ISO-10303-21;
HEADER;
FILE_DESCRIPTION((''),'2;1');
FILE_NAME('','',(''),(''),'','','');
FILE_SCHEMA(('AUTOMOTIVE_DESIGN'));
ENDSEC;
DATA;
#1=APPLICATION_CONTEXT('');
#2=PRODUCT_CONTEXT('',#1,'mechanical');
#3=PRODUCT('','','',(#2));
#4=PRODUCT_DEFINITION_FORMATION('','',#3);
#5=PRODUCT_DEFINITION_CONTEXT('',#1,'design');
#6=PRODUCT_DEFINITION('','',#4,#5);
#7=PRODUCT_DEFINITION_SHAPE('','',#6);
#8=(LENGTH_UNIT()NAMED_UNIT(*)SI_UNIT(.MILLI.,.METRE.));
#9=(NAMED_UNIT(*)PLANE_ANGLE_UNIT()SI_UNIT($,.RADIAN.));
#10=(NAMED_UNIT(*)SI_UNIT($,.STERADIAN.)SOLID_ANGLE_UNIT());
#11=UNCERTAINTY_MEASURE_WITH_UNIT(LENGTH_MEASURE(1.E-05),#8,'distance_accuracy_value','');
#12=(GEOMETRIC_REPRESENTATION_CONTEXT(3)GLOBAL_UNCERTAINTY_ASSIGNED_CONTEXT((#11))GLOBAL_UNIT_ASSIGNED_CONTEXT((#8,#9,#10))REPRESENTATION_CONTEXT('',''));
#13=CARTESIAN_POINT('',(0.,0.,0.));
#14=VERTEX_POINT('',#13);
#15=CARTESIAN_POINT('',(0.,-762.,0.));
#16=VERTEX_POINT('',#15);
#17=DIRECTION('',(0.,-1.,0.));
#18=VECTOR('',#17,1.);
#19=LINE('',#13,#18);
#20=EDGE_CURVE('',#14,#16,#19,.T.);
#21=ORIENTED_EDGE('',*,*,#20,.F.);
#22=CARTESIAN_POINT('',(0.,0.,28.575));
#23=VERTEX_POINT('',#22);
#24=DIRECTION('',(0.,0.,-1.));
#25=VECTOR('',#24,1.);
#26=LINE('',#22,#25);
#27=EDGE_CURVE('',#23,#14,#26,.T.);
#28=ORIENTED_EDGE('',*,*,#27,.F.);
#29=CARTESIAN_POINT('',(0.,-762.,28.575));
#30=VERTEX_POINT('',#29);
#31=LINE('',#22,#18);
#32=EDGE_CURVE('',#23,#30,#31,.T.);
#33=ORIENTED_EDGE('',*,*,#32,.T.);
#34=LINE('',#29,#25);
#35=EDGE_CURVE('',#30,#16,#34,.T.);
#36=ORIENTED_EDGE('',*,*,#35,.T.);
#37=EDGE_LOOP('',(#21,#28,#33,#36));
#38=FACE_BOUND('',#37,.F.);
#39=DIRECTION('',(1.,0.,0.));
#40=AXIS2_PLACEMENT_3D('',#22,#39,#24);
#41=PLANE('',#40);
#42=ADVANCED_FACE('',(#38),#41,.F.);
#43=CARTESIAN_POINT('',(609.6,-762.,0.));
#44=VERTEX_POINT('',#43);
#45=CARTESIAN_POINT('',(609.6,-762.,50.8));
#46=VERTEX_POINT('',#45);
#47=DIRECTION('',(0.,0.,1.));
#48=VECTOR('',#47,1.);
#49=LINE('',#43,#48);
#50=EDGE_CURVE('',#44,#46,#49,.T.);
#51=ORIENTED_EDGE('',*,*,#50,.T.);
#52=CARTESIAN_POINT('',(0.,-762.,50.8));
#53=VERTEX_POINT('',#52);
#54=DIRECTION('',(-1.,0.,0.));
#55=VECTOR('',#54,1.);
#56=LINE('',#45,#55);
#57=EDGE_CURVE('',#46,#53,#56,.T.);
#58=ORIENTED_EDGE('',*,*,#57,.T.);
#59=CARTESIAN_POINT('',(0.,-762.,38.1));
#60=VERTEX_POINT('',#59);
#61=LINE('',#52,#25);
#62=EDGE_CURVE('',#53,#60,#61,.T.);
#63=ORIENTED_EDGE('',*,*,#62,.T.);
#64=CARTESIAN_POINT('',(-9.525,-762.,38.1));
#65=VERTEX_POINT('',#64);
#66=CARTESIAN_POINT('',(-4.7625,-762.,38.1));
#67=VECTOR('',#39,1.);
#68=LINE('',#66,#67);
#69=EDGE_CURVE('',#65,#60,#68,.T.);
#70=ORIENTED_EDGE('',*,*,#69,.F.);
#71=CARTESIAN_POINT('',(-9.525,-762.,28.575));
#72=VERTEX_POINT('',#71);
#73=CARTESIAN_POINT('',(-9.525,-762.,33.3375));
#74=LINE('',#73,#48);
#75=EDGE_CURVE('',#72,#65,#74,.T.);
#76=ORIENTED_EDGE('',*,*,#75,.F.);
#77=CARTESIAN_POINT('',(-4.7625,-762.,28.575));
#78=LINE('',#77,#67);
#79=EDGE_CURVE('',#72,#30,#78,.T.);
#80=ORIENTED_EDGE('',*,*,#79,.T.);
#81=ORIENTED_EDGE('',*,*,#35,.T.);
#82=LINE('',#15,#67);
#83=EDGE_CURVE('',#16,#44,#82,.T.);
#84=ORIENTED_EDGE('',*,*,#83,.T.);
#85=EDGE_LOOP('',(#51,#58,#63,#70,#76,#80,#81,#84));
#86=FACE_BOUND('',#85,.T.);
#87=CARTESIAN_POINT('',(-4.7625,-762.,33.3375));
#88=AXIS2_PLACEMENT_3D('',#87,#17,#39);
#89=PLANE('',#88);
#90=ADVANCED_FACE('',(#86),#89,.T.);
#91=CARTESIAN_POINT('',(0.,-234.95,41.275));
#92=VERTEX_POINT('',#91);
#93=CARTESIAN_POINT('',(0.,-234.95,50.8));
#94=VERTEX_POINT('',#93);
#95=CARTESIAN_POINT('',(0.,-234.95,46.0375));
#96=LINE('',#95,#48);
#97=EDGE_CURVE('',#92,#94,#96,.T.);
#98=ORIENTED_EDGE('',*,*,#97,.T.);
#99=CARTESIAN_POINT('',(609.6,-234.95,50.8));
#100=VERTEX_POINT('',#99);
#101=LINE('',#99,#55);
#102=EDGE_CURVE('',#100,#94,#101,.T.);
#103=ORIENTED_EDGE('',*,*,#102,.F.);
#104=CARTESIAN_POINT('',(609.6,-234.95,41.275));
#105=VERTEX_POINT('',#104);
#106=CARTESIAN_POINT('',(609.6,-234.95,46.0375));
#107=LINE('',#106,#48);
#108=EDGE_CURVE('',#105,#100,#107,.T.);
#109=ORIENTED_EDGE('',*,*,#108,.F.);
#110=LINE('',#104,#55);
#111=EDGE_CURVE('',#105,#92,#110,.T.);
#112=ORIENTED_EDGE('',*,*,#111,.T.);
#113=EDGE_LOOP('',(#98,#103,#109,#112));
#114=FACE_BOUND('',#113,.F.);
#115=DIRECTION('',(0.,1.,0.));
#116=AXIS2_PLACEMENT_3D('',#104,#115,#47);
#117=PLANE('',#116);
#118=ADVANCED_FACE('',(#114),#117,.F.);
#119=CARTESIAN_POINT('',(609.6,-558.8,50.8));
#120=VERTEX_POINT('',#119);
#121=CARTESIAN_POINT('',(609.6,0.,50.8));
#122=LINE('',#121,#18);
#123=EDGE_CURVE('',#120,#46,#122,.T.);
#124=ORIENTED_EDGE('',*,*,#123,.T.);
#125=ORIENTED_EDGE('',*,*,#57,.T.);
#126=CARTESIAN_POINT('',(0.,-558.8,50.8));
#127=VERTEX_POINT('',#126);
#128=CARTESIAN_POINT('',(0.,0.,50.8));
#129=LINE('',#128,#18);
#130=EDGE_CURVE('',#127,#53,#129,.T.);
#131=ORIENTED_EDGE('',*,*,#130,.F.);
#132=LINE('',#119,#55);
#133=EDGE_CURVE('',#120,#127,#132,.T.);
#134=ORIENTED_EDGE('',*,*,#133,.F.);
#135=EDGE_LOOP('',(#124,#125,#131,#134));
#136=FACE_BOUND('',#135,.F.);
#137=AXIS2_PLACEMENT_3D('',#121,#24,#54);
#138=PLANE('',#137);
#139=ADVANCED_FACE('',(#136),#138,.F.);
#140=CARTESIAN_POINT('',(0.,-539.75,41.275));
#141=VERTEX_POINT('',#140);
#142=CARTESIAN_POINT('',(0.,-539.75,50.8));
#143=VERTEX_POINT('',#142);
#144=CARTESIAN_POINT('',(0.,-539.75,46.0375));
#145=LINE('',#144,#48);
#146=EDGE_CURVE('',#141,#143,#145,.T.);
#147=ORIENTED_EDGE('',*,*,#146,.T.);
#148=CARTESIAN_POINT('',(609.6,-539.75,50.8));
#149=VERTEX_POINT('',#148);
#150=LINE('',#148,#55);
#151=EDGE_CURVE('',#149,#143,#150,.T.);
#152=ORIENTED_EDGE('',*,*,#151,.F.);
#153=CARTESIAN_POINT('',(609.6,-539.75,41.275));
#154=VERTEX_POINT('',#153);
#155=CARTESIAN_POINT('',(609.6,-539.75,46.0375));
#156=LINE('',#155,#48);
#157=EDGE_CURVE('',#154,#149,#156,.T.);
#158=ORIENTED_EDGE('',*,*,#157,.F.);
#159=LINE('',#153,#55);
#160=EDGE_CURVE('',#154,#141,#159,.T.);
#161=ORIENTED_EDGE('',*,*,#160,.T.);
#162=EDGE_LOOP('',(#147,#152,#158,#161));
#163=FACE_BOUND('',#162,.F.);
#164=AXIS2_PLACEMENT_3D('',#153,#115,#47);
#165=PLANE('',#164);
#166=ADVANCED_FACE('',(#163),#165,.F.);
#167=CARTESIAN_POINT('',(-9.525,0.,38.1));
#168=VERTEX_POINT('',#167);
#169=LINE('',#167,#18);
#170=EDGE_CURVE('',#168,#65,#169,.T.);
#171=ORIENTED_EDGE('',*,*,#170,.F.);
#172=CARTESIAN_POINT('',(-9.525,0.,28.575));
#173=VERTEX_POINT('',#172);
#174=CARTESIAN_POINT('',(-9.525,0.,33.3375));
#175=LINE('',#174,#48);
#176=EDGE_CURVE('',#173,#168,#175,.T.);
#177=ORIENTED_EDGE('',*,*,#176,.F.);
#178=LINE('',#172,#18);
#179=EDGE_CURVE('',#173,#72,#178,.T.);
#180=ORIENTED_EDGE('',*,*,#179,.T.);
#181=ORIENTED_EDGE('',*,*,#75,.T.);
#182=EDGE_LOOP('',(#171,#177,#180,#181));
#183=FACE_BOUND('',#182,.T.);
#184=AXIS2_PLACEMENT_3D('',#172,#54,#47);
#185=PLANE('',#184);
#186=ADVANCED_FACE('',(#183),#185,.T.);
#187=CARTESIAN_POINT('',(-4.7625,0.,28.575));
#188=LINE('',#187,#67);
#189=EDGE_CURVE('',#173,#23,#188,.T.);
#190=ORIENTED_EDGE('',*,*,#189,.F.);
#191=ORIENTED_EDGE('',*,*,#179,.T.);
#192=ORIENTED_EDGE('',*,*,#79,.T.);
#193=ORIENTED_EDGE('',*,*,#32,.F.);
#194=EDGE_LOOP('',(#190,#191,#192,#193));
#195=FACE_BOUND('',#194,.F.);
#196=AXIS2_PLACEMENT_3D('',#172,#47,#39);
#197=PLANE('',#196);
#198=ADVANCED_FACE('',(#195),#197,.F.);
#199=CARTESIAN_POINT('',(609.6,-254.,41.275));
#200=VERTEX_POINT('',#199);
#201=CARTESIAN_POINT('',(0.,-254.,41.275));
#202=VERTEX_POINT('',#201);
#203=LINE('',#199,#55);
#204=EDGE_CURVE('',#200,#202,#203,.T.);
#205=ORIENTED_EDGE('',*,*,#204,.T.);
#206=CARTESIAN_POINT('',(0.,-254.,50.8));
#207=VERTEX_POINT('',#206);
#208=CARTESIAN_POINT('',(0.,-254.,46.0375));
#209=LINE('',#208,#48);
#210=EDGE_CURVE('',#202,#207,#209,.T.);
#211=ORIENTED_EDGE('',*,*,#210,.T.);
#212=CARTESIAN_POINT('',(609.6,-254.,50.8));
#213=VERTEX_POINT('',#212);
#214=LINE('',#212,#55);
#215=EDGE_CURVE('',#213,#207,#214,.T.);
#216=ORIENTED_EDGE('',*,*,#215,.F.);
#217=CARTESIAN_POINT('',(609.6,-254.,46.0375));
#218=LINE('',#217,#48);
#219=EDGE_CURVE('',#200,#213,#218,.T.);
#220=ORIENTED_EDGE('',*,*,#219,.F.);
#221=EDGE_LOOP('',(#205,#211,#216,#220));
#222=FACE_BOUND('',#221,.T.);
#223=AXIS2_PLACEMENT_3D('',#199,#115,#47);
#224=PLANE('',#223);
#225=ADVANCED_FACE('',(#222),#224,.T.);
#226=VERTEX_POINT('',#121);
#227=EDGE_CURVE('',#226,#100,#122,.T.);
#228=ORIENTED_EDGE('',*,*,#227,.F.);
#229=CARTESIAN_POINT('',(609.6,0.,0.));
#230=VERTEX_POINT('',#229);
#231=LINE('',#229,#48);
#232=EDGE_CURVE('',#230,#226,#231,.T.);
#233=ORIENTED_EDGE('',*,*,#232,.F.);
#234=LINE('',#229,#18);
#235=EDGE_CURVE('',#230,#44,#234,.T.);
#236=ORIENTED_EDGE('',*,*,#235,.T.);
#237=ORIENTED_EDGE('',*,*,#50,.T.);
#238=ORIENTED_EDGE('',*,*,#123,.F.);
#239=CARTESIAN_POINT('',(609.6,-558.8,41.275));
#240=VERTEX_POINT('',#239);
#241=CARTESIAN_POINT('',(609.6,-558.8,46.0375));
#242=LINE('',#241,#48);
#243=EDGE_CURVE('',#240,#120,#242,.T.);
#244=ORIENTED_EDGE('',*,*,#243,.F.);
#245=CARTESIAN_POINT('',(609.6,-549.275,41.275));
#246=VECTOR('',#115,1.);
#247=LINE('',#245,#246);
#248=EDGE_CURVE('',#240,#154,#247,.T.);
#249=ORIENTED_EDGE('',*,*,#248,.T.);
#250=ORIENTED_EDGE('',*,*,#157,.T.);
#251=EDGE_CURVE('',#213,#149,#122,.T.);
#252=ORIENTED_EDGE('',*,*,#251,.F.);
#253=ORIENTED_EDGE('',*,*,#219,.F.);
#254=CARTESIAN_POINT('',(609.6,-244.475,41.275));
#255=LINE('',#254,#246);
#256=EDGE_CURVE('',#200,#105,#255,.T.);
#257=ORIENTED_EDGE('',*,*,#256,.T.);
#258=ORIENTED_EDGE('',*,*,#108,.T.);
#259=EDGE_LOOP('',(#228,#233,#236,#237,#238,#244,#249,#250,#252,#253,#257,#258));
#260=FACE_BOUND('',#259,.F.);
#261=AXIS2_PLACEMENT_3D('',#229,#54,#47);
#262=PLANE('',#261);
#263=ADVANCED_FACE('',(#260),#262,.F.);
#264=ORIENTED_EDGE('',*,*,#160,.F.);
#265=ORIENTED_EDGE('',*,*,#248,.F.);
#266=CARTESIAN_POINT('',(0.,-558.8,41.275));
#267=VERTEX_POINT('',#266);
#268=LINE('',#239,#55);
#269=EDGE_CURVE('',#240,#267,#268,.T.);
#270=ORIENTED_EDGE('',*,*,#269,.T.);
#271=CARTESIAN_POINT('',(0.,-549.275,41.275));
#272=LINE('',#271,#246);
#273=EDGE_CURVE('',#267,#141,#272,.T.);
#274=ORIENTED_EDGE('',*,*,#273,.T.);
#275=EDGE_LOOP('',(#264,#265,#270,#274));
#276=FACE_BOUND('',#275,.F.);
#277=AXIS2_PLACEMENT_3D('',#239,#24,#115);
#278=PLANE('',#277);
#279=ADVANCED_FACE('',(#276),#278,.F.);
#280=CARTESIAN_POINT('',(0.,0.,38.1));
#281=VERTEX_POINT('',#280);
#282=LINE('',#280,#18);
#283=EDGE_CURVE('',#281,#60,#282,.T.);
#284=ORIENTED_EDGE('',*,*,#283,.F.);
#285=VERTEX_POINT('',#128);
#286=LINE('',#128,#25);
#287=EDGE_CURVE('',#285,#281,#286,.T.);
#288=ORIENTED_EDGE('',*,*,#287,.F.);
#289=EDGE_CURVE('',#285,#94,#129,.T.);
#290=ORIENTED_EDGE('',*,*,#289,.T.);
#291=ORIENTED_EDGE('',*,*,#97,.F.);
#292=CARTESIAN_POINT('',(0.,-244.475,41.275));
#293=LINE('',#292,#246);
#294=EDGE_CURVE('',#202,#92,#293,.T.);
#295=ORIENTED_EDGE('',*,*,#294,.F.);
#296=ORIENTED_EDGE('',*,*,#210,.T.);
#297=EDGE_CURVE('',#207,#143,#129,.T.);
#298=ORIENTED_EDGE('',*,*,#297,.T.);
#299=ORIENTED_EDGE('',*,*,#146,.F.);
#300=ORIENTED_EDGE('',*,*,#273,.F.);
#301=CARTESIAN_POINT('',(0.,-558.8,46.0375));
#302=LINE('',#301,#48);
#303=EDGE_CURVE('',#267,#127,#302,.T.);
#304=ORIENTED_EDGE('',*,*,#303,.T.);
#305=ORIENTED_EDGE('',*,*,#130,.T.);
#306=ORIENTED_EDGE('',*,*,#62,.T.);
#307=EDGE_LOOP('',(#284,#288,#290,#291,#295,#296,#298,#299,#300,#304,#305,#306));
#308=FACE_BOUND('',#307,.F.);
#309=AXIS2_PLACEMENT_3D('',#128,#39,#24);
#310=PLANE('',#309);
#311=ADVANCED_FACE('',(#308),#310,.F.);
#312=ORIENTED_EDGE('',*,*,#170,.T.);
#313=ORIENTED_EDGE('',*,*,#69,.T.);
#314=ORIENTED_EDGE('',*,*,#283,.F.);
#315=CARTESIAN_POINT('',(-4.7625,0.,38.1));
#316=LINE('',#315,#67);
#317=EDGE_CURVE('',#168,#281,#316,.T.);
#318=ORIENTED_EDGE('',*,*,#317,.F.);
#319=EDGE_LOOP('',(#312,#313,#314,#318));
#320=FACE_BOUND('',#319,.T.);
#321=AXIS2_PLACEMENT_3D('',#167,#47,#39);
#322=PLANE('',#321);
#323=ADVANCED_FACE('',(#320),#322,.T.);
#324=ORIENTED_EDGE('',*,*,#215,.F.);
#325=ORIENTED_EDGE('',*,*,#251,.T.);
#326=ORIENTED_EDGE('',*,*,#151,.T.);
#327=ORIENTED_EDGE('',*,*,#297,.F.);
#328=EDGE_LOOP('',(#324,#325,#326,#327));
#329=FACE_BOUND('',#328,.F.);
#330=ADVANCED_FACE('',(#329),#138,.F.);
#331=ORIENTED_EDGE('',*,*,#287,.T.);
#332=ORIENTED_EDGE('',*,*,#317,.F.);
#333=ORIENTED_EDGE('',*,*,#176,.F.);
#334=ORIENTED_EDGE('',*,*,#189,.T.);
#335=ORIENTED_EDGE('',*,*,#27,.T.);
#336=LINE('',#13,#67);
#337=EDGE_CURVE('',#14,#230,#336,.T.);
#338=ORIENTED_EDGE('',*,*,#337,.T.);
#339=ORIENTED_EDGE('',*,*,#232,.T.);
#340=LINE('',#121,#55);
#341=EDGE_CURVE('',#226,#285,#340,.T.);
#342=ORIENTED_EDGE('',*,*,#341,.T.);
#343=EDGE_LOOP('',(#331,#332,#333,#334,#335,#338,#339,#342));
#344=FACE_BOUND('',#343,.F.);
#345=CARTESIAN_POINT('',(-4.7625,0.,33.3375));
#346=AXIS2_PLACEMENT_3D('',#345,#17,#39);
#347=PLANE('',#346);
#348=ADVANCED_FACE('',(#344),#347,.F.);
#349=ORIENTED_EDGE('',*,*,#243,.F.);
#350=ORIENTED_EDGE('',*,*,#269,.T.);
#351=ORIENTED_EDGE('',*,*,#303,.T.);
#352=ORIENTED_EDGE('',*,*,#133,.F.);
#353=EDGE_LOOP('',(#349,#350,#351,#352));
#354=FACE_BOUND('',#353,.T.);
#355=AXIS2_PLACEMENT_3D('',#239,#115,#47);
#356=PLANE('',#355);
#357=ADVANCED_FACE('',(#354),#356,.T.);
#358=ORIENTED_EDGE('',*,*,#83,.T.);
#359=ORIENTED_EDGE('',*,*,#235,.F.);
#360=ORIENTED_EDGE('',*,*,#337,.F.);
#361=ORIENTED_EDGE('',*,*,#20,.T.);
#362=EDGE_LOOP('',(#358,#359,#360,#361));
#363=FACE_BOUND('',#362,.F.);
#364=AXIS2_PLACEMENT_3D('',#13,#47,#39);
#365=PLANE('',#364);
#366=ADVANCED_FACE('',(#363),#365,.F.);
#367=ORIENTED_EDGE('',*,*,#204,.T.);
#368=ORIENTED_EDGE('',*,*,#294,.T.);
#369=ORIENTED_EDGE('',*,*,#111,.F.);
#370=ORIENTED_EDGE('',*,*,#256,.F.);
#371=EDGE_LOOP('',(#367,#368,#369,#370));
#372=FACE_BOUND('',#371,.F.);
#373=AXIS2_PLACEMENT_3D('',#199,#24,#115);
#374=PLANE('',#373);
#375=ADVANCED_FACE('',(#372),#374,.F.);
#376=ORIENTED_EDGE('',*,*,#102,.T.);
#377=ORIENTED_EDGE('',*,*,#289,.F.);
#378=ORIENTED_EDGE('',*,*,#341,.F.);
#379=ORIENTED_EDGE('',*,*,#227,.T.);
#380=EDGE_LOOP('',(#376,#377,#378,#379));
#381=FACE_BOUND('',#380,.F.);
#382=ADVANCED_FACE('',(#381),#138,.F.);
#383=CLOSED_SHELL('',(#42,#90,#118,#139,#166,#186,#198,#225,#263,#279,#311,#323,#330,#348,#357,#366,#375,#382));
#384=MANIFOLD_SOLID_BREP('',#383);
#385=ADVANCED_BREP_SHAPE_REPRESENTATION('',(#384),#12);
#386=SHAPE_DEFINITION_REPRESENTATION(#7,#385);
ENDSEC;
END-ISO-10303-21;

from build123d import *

# Parameters (mm, degrees)
F0_W     = 9.525
F0_H     = 9.525
F1_DEPTH = 762
F2_W     = 19.05
F2_H     = 9.525
F3_DEPTH = 609.6


with BuildPart() as f1:
    # F0 (on Front) → F1 (new body)
    with BuildSketch(Plane.XZ):
        with Locations((-4.7625, 33.3375)):
            Rectangle(F0_W, F0_H)
        Polygon((0, 28.575), (0, 0), (609.6, 0), (609.6, 50.8), (0, 50.8), (0, 38.1), align=None)
    extrude(amount=F1_DEPTH)

    # F2 (on face) → F3 (cut, through all)
    with BuildSketch(Plane.YZ.offset(609.6)):
        with Locations((-244.475, 46.0375)):
            Rectangle(F2_W, F2_H)
        with Locations((-549.275, 46.0375)):
            Rectangle(F2_W, F2_H)
    extrude(amount=-F3_DEPTH, mode=Mode.SUBTRACT)


solid = f1.part
